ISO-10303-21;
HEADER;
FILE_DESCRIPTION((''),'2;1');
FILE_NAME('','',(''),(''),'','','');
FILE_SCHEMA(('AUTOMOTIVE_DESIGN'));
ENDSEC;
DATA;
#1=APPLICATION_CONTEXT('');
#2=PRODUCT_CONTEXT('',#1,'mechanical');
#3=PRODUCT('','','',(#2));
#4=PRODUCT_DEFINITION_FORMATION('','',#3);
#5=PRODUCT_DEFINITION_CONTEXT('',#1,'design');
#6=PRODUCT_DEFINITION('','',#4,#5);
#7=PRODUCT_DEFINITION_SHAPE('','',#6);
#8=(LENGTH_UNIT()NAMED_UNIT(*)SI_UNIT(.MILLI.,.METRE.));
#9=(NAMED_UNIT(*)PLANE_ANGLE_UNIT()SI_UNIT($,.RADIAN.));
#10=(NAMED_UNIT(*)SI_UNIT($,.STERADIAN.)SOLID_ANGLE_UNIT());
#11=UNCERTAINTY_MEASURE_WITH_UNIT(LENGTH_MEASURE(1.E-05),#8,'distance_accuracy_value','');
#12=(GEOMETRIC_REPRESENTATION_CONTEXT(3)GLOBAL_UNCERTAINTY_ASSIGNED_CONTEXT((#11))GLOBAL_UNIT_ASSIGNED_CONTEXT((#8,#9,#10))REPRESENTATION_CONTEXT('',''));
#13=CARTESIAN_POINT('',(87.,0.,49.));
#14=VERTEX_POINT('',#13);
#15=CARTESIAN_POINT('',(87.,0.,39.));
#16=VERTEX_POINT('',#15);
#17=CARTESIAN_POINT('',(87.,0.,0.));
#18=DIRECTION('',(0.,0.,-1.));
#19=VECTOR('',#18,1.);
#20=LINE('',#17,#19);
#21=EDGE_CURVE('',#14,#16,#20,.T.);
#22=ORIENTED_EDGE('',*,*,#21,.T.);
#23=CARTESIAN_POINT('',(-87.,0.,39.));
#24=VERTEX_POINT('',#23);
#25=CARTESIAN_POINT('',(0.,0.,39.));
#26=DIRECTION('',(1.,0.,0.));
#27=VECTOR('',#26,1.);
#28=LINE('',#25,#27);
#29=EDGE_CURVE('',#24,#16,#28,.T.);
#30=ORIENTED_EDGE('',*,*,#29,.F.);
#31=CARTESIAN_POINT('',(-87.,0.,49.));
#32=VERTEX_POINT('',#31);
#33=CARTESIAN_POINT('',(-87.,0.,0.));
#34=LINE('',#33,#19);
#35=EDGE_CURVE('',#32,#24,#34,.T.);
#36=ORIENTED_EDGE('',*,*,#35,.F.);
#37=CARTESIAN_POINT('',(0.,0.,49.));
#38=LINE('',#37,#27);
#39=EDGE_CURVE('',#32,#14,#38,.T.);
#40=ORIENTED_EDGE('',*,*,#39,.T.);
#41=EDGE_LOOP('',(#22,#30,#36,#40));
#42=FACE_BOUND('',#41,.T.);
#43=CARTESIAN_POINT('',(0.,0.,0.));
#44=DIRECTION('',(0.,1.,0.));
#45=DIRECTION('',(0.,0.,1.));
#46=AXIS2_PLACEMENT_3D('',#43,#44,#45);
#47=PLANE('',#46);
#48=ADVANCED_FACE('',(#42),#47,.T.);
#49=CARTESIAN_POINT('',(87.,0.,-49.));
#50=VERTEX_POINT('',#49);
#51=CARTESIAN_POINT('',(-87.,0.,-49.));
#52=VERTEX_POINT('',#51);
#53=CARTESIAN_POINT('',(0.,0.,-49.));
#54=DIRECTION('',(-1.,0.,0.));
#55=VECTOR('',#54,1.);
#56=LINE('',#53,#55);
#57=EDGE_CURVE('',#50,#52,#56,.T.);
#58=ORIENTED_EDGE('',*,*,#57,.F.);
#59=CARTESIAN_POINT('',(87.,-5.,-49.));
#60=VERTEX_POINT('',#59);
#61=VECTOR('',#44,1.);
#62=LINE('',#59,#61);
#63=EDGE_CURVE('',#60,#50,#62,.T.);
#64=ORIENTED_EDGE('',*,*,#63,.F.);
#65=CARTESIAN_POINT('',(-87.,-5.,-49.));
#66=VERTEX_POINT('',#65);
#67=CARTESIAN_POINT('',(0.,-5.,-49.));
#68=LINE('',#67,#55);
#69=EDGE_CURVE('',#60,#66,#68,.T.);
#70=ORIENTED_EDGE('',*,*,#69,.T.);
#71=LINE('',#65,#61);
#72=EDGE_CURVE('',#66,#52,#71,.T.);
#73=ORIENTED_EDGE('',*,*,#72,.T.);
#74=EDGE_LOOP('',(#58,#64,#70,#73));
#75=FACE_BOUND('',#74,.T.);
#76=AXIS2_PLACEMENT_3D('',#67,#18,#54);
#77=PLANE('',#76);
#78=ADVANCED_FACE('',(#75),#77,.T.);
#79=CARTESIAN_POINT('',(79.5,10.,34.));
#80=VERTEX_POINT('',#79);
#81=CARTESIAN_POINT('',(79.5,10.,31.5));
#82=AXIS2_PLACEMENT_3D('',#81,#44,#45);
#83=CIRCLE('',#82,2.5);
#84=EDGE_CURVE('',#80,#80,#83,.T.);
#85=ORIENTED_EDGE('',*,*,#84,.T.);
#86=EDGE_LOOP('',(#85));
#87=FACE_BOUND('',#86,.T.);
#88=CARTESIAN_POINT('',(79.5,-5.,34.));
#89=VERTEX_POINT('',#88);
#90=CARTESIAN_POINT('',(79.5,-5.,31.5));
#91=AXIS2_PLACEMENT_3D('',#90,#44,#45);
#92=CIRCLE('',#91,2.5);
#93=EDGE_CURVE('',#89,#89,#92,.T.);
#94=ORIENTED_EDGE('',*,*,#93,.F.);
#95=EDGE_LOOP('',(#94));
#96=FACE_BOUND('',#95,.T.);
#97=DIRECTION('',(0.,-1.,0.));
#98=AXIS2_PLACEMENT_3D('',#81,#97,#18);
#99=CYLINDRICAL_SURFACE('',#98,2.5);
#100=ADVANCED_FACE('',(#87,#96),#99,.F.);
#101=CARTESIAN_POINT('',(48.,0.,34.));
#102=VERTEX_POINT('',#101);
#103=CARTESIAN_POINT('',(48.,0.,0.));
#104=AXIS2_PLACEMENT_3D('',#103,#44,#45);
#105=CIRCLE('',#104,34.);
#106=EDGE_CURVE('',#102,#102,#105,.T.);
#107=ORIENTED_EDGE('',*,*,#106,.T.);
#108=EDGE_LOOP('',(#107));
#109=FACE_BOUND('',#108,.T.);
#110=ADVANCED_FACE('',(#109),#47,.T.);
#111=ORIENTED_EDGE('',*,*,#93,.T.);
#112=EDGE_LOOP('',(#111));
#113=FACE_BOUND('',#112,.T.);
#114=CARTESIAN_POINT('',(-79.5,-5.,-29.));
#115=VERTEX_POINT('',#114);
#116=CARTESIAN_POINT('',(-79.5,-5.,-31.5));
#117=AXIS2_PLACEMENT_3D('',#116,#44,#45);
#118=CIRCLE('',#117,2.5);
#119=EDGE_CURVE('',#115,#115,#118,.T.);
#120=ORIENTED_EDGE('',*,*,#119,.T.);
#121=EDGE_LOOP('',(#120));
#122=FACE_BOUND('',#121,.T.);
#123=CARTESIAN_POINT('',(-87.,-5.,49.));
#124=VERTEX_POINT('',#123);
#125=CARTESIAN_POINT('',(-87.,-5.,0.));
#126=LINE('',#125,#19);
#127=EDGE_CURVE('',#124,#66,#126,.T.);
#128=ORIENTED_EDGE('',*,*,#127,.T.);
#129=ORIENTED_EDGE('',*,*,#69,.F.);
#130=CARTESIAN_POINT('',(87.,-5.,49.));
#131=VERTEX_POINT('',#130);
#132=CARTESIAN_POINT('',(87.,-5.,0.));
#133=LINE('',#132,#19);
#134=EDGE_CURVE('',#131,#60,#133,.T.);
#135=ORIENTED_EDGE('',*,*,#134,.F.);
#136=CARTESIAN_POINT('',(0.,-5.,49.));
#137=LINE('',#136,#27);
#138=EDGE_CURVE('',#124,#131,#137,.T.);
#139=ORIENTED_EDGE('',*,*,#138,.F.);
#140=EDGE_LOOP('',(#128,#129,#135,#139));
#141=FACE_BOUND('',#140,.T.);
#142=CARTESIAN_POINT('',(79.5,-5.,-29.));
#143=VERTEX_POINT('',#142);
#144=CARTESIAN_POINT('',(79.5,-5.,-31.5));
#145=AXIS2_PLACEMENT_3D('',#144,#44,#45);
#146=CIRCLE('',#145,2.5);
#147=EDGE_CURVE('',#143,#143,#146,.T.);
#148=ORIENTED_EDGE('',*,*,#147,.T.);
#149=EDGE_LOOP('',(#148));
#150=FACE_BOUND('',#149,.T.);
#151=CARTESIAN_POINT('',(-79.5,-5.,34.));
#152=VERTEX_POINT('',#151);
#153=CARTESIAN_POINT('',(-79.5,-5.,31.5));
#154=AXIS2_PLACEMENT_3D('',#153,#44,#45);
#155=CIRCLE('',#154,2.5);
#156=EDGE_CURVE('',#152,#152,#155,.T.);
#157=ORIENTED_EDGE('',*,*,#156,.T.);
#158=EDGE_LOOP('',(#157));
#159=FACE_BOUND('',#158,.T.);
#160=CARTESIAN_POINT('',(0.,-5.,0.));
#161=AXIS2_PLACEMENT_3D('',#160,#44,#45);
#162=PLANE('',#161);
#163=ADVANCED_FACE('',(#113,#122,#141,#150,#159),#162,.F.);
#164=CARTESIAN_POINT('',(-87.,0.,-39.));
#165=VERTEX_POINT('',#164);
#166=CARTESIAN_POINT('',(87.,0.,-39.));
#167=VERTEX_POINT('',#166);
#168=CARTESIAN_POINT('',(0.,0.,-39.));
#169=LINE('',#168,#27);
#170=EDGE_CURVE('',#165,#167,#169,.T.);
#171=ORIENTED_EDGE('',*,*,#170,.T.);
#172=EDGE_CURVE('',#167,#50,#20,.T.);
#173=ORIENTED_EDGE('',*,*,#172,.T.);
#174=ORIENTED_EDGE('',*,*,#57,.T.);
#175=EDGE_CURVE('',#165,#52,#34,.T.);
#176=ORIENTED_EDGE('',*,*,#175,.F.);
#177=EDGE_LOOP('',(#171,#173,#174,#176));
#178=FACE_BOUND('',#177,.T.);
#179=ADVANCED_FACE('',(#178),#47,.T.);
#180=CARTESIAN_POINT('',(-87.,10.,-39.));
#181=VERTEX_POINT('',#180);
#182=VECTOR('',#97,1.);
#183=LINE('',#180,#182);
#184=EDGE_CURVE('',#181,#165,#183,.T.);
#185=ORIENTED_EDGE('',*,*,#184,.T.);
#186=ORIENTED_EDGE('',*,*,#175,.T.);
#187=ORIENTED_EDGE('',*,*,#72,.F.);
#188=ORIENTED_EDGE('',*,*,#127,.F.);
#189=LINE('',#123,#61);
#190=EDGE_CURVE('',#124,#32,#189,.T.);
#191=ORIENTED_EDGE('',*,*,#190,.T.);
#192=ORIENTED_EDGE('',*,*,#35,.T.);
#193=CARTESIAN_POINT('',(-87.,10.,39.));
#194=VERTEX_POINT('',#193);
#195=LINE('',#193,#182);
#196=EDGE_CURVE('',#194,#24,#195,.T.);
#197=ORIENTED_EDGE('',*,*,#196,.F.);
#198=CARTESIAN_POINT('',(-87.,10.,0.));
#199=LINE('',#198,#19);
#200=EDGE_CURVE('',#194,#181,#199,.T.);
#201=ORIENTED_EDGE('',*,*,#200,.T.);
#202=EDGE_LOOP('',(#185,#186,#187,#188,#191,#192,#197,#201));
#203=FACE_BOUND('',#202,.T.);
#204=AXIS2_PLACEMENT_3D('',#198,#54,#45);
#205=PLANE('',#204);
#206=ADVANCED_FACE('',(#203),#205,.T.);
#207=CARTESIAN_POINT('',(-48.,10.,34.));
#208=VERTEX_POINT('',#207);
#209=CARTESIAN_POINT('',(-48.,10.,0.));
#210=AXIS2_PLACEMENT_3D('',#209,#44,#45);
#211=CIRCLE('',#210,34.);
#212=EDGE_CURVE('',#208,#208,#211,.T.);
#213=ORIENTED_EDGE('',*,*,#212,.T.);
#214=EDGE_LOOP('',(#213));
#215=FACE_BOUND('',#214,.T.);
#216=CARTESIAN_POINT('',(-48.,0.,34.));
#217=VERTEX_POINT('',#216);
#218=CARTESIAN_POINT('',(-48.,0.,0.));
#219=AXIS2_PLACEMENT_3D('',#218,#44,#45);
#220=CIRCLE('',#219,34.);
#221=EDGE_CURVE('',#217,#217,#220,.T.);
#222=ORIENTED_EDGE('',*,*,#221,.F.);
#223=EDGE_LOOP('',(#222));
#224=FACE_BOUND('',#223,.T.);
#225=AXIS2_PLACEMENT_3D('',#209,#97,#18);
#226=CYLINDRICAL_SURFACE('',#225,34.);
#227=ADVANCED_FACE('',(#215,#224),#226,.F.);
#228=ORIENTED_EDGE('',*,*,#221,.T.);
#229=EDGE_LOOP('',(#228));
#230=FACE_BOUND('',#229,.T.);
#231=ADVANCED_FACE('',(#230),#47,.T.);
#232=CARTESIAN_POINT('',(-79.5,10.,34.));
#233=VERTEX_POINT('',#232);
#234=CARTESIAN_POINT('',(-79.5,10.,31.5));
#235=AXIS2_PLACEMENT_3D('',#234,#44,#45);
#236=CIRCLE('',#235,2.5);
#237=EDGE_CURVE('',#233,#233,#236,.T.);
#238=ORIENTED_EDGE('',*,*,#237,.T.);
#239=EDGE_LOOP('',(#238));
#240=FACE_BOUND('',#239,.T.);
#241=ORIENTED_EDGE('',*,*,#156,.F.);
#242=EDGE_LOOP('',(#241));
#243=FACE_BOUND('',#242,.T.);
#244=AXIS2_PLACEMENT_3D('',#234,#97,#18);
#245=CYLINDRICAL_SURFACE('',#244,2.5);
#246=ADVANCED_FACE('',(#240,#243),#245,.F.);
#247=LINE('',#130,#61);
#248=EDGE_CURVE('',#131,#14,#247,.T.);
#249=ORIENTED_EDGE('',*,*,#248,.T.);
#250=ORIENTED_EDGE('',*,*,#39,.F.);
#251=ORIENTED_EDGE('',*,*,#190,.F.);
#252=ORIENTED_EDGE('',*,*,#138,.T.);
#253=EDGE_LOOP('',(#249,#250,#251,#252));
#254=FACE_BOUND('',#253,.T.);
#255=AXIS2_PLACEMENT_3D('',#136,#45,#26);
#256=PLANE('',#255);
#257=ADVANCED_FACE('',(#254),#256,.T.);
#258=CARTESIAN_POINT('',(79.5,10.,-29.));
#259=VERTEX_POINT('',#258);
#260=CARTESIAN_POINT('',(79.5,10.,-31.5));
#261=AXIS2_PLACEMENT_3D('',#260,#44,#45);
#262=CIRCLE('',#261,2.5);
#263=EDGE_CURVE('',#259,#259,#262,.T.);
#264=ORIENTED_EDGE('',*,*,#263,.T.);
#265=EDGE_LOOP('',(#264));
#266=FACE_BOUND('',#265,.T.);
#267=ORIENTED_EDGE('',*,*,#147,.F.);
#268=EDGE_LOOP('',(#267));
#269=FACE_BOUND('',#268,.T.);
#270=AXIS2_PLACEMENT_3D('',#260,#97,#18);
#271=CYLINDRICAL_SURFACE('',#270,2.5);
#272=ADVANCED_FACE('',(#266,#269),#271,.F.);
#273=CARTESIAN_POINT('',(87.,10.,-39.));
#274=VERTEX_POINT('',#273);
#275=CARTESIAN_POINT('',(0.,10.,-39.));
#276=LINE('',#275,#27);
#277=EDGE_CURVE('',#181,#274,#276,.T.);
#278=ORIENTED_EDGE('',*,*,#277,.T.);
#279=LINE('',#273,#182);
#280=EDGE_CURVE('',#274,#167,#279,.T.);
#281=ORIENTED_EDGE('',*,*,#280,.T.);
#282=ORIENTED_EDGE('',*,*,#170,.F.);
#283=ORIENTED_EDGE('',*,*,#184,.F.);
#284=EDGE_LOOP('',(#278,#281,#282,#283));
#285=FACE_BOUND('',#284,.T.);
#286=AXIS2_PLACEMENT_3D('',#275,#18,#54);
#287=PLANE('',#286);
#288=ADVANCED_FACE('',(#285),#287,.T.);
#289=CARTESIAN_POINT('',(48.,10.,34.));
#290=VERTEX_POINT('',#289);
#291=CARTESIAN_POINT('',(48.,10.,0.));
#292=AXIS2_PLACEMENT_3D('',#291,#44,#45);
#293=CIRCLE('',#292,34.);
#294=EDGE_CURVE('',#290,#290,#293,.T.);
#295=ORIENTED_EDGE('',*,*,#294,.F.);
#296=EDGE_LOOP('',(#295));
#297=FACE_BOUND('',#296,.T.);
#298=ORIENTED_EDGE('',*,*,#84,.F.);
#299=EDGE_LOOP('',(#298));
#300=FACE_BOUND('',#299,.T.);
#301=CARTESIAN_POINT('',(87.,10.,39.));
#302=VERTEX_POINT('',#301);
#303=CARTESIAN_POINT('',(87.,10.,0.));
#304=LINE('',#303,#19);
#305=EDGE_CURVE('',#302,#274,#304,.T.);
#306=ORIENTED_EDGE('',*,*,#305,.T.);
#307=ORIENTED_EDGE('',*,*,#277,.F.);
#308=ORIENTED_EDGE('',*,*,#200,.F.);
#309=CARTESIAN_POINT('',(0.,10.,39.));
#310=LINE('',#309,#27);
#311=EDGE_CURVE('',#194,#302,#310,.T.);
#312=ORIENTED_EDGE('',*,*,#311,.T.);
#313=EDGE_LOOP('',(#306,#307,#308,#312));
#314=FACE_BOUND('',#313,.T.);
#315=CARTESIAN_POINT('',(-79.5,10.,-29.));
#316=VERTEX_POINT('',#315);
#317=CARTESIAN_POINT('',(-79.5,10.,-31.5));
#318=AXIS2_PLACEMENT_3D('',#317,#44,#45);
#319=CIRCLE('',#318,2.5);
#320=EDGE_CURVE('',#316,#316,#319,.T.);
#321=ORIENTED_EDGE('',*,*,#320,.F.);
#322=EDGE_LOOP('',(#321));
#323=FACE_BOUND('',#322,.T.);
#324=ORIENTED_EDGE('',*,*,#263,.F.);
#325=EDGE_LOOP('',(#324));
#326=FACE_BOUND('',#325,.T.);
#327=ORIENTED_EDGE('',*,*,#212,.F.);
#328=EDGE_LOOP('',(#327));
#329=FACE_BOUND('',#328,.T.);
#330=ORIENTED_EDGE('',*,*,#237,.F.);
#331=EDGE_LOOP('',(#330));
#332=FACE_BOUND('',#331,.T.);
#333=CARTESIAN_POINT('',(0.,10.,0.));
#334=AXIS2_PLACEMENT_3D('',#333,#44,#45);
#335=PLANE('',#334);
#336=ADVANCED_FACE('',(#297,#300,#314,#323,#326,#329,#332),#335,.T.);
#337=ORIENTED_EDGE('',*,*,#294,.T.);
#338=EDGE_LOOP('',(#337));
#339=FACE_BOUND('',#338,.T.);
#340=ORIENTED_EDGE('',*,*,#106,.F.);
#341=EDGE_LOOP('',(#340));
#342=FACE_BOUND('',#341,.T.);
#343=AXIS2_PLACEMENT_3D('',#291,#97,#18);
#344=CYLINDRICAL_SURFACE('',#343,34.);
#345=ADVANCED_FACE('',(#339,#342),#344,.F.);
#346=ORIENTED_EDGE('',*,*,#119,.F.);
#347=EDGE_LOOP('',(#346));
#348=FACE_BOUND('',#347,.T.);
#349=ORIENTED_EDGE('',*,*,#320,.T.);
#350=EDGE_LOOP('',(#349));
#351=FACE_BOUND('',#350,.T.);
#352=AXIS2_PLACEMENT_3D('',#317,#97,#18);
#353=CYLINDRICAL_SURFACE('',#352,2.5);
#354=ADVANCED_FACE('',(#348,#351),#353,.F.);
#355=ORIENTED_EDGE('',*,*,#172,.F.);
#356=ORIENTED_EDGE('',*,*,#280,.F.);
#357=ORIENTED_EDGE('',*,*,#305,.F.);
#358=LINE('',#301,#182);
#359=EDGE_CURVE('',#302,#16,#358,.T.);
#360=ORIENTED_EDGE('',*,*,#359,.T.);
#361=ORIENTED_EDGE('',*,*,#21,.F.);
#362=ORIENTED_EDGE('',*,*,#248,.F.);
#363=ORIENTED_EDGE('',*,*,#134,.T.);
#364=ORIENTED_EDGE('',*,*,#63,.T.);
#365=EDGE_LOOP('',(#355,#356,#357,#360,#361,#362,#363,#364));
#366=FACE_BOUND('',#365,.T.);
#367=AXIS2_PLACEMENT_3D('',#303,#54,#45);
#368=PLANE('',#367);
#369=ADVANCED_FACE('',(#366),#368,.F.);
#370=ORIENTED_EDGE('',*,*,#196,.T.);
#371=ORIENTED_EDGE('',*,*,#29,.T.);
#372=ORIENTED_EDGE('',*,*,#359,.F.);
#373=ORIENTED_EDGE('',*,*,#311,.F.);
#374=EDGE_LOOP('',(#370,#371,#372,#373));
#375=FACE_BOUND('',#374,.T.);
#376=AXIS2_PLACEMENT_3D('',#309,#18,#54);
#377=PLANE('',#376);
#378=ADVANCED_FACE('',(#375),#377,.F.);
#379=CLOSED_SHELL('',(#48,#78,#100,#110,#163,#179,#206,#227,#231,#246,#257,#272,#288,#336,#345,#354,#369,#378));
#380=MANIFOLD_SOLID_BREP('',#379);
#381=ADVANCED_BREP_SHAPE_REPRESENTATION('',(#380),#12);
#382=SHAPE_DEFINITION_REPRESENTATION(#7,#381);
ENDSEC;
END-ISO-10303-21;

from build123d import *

# Parameters (mm, degrees)
SKETCH1_W           = 174
SKETCH1_H           = 78
SKETCH1_R           = 2.5
SKETCH1_R_2         = 34
BOSS_EXTRUDE1_DEPTH = 10
BOSS_EXTRUDE2_START = -5
SKETCH1_3_W         = 174
SKETCH1_3_H         = 98
SKETCH1_3_R         = 2.5
BOSS_EXTRUDE2_DEPTH = 5


with BuildPart() as part:
    # Sketch1 → Boss-Extrude1 (new body)
    with BuildSketch(Plane(origin=(0, 0, 0), x_dir=(1, 0, 0), z_dir=(0, 1, 0))):
        Rectangle(SKETCH1_W, SKETCH1_H)
        with Locations((-79.5, -31.5)):
            Circle(SKETCH1_R, mode=Mode.SUBTRACT)
        with Locations((-48, 0)):
            Circle(SKETCH1_R_2, mode=Mode.SUBTRACT)
        with Locations((79.5, -31.5)):
            Circle(SKETCH1_R, mode=Mode.SUBTRACT)
        with Locations((48, 0)):
            Circle(SKETCH1_R_2, mode=Mode.SUBTRACT)
        with Locations((-79.5, 31.5)):
            Circle(SKETCH1_R, mode=Mode.SUBTRACT)
        with Locations((79.5, 31.5)):
            Circle(SKETCH1_R, mode=Mode.SUBTRACT)
    extrude(amount=BOSS_EXTRUDE1_DEPTH)

    # Sketch1<3> → Boss-Extrude2 (add)
    with BuildSketch(Plane(origin=(0, 0, 0), x_dir=(1, 0, 0), z_dir=(0, 1, 0)).offset(BOSS_EXTRUDE2_START)):
        Rectangle(SKETCH1_3_W, SKETCH1_3_H)
        with Locations((79.5, 31.5)):
            Circle(SKETCH1_3_R, mode=Mode.SUBTRACT)
        with Locations((-79.5, -31.5)):
            Circle(SKETCH1_3_R, mode=Mode.SUBTRACT)
        with Locations((79.5, -31.5)):
            Circle(SKETCH1_3_R, mode=Mode.SUBTRACT)
        with Locations((-79.5, 31.5)):
            Circle(SKETCH1_3_R, mode=Mode.SUBTRACT)
    extrude(amount=BOSS_EXTRUDE2_DEPTH)


solid = part.part
